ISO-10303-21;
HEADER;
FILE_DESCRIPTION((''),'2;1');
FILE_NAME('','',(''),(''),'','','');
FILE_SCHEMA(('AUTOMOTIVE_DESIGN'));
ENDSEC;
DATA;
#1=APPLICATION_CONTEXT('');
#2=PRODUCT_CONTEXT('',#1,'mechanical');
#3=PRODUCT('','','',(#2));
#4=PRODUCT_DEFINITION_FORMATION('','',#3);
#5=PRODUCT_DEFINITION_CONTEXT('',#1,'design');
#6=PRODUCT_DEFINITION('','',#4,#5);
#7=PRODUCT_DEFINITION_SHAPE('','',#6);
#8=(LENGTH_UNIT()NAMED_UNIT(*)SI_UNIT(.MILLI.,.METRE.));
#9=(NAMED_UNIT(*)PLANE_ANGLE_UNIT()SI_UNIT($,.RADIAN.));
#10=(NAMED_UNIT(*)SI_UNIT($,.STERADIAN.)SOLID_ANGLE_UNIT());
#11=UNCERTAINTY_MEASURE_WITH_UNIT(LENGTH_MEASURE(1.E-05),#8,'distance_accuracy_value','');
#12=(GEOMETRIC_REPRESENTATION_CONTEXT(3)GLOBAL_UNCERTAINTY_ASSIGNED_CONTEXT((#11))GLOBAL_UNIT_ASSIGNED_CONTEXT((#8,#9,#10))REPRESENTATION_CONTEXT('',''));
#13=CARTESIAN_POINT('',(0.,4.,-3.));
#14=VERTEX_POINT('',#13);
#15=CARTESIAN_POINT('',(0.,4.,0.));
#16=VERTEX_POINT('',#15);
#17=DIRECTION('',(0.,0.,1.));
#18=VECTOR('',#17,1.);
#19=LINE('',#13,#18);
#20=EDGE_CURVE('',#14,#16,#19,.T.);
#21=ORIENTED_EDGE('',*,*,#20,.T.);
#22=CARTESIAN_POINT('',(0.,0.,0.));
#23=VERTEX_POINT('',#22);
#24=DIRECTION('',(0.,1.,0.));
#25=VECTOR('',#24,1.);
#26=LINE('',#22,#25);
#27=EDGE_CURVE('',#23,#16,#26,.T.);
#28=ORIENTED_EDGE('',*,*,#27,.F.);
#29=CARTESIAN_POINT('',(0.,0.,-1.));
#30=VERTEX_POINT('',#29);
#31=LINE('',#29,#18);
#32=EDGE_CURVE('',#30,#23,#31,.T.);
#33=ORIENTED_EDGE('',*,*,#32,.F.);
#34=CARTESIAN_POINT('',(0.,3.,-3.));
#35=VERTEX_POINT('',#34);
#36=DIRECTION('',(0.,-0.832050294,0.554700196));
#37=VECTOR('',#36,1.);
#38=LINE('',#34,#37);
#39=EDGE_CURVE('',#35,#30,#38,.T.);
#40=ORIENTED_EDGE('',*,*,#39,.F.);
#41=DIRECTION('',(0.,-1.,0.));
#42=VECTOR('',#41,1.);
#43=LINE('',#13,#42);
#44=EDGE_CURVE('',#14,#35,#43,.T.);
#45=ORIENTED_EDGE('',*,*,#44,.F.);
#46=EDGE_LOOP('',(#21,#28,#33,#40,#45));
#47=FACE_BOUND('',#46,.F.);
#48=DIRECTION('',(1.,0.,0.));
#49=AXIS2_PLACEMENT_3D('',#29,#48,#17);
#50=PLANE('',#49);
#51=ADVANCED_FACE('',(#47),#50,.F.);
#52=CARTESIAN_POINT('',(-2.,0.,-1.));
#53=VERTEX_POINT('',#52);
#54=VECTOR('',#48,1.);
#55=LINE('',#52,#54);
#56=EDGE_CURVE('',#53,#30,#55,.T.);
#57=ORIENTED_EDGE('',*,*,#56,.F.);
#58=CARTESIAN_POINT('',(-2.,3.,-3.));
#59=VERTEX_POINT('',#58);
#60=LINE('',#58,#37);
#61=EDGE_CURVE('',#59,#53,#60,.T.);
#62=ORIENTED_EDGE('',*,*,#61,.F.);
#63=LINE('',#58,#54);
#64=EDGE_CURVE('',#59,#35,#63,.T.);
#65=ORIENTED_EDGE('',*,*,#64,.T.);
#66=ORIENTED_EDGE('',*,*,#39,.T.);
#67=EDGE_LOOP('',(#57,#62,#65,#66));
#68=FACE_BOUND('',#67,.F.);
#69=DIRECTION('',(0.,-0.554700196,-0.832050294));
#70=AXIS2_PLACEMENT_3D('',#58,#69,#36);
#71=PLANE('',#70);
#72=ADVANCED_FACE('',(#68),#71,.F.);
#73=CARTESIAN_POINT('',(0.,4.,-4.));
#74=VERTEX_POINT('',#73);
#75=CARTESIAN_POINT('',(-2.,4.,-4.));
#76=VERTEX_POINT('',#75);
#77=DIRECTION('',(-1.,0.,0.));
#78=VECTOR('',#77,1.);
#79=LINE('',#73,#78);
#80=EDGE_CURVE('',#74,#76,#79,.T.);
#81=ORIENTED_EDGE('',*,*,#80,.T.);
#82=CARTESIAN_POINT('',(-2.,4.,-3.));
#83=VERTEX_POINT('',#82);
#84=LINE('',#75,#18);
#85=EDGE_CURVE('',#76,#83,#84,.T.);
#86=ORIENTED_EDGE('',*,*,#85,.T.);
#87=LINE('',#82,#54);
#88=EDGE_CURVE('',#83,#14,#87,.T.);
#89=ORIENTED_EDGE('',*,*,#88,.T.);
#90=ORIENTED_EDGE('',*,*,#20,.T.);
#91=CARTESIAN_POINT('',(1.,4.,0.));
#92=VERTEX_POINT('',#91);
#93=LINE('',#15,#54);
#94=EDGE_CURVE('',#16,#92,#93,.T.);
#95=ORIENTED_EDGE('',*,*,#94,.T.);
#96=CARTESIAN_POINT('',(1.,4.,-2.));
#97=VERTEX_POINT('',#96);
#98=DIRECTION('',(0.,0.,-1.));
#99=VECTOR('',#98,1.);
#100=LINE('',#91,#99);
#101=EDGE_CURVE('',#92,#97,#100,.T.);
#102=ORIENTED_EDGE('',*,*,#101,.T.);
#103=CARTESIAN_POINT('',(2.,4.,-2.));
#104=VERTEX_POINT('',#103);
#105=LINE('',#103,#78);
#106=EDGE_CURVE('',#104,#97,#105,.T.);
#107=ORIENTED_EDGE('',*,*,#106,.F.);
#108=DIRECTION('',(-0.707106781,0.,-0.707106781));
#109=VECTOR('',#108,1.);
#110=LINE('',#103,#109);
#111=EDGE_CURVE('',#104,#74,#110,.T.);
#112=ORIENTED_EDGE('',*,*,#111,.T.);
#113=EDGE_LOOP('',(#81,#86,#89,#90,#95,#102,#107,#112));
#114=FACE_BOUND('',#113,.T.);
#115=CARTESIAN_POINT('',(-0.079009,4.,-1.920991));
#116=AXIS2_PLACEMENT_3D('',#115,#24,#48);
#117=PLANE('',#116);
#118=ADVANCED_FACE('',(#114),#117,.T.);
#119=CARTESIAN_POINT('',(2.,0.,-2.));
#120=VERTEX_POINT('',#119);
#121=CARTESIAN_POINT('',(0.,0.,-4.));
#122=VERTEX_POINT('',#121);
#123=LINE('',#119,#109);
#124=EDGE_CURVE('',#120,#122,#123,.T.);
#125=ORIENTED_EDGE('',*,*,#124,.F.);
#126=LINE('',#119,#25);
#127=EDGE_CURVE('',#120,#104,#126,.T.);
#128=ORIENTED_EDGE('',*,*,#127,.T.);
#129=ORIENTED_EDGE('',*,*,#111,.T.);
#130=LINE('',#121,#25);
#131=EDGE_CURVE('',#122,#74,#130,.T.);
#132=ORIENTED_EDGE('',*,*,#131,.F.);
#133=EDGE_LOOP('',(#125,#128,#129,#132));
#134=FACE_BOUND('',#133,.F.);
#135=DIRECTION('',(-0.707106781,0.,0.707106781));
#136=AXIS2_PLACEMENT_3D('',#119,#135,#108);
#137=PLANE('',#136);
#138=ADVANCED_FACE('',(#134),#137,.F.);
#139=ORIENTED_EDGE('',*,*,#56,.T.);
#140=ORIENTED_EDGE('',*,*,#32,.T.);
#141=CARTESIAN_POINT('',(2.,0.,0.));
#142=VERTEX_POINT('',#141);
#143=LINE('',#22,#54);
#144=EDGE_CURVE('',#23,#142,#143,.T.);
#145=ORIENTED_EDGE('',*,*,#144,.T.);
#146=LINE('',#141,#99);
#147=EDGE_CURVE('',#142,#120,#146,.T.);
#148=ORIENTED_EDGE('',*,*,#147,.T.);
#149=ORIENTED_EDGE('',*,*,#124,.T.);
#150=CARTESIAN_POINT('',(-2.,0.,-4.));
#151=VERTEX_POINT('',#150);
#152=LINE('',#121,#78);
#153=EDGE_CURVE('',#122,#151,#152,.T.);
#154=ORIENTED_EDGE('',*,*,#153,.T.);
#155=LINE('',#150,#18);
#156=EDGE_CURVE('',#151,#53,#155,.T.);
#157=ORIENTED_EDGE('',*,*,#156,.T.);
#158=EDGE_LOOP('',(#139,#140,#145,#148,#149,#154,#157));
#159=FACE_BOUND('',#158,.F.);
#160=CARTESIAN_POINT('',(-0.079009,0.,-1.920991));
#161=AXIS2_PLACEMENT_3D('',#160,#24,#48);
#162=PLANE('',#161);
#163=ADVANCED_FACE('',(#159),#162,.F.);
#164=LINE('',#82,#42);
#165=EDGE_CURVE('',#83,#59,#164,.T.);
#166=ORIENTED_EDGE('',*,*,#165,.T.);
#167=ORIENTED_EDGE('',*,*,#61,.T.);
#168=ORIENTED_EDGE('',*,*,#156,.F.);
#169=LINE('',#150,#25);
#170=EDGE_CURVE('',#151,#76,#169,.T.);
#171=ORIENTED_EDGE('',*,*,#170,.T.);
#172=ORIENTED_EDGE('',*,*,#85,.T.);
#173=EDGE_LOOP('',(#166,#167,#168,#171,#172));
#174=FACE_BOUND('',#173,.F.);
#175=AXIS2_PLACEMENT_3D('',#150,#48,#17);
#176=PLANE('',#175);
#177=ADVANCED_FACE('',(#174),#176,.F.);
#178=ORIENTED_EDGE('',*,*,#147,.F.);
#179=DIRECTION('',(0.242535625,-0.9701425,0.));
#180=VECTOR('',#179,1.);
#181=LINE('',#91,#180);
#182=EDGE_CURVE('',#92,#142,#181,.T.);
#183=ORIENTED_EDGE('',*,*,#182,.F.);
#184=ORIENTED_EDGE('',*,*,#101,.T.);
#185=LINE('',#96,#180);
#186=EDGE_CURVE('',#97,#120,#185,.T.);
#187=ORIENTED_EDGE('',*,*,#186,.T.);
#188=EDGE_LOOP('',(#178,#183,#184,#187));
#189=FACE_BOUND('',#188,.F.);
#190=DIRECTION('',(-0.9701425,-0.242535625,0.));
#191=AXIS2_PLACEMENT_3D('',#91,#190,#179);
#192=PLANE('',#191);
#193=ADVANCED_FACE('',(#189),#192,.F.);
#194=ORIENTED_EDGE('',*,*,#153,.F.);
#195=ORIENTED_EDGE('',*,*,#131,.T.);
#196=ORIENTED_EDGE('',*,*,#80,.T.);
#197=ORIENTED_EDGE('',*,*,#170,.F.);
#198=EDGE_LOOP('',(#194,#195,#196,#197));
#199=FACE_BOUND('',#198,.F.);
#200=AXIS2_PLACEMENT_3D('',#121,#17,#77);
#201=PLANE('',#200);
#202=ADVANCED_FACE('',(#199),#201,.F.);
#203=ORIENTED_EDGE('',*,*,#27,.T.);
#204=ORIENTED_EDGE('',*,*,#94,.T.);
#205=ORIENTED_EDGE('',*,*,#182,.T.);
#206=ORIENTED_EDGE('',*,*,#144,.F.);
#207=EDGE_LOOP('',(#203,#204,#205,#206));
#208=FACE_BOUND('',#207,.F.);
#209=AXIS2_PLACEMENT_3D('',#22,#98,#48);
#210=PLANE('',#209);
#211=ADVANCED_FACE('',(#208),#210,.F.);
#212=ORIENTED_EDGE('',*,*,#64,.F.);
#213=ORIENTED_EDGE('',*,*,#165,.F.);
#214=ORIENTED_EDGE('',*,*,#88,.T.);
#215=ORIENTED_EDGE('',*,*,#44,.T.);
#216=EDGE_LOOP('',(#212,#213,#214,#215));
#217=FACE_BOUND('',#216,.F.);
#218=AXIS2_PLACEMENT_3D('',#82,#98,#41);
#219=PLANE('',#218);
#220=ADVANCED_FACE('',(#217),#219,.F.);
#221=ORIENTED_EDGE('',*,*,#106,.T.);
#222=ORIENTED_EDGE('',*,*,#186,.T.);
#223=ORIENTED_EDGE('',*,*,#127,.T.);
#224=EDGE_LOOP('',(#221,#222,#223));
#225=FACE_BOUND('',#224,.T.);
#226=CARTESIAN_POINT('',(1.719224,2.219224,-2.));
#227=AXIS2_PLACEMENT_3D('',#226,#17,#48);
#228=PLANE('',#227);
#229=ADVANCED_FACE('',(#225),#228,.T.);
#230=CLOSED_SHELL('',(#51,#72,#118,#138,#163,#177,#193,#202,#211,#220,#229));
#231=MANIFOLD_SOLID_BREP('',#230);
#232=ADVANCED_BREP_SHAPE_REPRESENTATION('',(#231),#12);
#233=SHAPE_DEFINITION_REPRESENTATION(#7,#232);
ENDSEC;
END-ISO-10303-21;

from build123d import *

# Parameters (mm, degrees)
BOSS_EXTRUDE1_DEPTH = 4
CUT_EXTRUDE2_DEPTH  = 2
CUT_EXTRUDE3_DEPTH  = 2


with BuildPart() as part:
    # Sketch1 → Boss-Extrude1 (new body)
    with BuildSketch(Plane(origin=(0, 0, 0), x_dir=(1, 0, 0), z_dir=(0, 1, 0))):
        Polygon((0, 0), (2, 0), (2, 2), (0, 4), (-2, 4), (-2, 1), (0, 1), align=None)
    extrude(amount=BOSS_EXTRUDE1_DEPTH)

    # Sketch3 → Cut-Extrude2 (cut)
    with BuildSketch(Plane.XY):
        Polygon((1, 4), (2, 0), (2, 4), align=None)
    extrude(amount=-CUT_EXTRUDE2_DEPTH, mode=Mode.SUBTRACT)

    # Sketch4 → Cut-Extrude3 (cut)
    with BuildSketch(Plane.ZY.offset(2)):
        Polygon((-1, 4), (-3, 4), (-3, 3), (-1, 0), align=None)
    extrude(amount=-CUT_EXTRUDE3_DEPTH, mode=Mode.SUBTRACT)


solid = part.part
